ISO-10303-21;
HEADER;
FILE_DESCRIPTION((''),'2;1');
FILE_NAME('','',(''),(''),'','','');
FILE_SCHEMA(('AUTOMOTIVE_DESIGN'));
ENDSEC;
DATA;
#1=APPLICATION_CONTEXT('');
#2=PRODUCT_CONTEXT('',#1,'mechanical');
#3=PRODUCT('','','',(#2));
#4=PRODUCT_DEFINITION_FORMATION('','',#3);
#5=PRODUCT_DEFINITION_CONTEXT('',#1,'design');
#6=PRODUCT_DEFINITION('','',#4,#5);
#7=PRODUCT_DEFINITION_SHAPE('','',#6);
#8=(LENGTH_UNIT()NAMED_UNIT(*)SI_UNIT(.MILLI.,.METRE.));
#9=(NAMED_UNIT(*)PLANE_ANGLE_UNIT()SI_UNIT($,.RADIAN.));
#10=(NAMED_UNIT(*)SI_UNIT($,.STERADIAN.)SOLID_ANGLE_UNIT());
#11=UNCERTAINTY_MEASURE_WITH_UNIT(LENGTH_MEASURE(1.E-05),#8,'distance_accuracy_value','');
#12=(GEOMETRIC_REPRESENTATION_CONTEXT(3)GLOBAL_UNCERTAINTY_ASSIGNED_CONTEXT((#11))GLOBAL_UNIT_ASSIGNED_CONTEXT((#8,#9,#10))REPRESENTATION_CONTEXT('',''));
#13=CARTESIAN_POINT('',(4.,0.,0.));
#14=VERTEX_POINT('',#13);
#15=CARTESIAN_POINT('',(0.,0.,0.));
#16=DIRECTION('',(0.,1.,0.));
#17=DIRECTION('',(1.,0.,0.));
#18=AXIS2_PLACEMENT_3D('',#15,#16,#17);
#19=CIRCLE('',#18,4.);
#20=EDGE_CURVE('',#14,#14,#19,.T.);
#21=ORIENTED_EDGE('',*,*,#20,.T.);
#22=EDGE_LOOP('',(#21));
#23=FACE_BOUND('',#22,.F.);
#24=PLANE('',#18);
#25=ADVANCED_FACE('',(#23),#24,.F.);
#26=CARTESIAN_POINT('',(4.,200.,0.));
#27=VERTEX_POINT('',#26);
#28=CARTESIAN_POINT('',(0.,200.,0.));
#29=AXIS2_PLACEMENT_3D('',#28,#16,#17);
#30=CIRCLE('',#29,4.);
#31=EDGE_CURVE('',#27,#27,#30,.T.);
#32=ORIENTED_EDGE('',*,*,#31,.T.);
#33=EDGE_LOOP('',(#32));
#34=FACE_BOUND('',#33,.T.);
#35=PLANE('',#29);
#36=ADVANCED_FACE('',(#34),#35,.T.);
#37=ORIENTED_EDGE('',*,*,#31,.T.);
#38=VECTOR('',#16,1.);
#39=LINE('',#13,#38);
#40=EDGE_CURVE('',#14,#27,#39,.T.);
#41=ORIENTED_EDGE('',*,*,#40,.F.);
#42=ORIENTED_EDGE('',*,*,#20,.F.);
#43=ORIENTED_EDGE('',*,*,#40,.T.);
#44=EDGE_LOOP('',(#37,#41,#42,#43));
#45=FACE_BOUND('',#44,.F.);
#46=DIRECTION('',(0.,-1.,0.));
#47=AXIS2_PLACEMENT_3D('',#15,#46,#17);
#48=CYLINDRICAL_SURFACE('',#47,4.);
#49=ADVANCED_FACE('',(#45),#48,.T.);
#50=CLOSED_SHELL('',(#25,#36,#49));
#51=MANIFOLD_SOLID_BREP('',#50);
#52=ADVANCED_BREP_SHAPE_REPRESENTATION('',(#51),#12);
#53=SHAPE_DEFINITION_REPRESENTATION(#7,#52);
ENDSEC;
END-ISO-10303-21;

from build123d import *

# Parameters (mm, degrees)
SKETCH_1_R      = 4
EXTRUDE_1_DEPTH = 200


with BuildPart() as part:
    # 草图1 → 凸台-拉伸1 (new body)
    with BuildSketch(Plane(origin=(0, 0, 0), x_dir=(1, 0, 0), z_dir=(0, 1, 0))):
        Circle(SKETCH_1_R)
    extrude(amount=EXTRUDE_1_DEPTH)


solid = part.part
